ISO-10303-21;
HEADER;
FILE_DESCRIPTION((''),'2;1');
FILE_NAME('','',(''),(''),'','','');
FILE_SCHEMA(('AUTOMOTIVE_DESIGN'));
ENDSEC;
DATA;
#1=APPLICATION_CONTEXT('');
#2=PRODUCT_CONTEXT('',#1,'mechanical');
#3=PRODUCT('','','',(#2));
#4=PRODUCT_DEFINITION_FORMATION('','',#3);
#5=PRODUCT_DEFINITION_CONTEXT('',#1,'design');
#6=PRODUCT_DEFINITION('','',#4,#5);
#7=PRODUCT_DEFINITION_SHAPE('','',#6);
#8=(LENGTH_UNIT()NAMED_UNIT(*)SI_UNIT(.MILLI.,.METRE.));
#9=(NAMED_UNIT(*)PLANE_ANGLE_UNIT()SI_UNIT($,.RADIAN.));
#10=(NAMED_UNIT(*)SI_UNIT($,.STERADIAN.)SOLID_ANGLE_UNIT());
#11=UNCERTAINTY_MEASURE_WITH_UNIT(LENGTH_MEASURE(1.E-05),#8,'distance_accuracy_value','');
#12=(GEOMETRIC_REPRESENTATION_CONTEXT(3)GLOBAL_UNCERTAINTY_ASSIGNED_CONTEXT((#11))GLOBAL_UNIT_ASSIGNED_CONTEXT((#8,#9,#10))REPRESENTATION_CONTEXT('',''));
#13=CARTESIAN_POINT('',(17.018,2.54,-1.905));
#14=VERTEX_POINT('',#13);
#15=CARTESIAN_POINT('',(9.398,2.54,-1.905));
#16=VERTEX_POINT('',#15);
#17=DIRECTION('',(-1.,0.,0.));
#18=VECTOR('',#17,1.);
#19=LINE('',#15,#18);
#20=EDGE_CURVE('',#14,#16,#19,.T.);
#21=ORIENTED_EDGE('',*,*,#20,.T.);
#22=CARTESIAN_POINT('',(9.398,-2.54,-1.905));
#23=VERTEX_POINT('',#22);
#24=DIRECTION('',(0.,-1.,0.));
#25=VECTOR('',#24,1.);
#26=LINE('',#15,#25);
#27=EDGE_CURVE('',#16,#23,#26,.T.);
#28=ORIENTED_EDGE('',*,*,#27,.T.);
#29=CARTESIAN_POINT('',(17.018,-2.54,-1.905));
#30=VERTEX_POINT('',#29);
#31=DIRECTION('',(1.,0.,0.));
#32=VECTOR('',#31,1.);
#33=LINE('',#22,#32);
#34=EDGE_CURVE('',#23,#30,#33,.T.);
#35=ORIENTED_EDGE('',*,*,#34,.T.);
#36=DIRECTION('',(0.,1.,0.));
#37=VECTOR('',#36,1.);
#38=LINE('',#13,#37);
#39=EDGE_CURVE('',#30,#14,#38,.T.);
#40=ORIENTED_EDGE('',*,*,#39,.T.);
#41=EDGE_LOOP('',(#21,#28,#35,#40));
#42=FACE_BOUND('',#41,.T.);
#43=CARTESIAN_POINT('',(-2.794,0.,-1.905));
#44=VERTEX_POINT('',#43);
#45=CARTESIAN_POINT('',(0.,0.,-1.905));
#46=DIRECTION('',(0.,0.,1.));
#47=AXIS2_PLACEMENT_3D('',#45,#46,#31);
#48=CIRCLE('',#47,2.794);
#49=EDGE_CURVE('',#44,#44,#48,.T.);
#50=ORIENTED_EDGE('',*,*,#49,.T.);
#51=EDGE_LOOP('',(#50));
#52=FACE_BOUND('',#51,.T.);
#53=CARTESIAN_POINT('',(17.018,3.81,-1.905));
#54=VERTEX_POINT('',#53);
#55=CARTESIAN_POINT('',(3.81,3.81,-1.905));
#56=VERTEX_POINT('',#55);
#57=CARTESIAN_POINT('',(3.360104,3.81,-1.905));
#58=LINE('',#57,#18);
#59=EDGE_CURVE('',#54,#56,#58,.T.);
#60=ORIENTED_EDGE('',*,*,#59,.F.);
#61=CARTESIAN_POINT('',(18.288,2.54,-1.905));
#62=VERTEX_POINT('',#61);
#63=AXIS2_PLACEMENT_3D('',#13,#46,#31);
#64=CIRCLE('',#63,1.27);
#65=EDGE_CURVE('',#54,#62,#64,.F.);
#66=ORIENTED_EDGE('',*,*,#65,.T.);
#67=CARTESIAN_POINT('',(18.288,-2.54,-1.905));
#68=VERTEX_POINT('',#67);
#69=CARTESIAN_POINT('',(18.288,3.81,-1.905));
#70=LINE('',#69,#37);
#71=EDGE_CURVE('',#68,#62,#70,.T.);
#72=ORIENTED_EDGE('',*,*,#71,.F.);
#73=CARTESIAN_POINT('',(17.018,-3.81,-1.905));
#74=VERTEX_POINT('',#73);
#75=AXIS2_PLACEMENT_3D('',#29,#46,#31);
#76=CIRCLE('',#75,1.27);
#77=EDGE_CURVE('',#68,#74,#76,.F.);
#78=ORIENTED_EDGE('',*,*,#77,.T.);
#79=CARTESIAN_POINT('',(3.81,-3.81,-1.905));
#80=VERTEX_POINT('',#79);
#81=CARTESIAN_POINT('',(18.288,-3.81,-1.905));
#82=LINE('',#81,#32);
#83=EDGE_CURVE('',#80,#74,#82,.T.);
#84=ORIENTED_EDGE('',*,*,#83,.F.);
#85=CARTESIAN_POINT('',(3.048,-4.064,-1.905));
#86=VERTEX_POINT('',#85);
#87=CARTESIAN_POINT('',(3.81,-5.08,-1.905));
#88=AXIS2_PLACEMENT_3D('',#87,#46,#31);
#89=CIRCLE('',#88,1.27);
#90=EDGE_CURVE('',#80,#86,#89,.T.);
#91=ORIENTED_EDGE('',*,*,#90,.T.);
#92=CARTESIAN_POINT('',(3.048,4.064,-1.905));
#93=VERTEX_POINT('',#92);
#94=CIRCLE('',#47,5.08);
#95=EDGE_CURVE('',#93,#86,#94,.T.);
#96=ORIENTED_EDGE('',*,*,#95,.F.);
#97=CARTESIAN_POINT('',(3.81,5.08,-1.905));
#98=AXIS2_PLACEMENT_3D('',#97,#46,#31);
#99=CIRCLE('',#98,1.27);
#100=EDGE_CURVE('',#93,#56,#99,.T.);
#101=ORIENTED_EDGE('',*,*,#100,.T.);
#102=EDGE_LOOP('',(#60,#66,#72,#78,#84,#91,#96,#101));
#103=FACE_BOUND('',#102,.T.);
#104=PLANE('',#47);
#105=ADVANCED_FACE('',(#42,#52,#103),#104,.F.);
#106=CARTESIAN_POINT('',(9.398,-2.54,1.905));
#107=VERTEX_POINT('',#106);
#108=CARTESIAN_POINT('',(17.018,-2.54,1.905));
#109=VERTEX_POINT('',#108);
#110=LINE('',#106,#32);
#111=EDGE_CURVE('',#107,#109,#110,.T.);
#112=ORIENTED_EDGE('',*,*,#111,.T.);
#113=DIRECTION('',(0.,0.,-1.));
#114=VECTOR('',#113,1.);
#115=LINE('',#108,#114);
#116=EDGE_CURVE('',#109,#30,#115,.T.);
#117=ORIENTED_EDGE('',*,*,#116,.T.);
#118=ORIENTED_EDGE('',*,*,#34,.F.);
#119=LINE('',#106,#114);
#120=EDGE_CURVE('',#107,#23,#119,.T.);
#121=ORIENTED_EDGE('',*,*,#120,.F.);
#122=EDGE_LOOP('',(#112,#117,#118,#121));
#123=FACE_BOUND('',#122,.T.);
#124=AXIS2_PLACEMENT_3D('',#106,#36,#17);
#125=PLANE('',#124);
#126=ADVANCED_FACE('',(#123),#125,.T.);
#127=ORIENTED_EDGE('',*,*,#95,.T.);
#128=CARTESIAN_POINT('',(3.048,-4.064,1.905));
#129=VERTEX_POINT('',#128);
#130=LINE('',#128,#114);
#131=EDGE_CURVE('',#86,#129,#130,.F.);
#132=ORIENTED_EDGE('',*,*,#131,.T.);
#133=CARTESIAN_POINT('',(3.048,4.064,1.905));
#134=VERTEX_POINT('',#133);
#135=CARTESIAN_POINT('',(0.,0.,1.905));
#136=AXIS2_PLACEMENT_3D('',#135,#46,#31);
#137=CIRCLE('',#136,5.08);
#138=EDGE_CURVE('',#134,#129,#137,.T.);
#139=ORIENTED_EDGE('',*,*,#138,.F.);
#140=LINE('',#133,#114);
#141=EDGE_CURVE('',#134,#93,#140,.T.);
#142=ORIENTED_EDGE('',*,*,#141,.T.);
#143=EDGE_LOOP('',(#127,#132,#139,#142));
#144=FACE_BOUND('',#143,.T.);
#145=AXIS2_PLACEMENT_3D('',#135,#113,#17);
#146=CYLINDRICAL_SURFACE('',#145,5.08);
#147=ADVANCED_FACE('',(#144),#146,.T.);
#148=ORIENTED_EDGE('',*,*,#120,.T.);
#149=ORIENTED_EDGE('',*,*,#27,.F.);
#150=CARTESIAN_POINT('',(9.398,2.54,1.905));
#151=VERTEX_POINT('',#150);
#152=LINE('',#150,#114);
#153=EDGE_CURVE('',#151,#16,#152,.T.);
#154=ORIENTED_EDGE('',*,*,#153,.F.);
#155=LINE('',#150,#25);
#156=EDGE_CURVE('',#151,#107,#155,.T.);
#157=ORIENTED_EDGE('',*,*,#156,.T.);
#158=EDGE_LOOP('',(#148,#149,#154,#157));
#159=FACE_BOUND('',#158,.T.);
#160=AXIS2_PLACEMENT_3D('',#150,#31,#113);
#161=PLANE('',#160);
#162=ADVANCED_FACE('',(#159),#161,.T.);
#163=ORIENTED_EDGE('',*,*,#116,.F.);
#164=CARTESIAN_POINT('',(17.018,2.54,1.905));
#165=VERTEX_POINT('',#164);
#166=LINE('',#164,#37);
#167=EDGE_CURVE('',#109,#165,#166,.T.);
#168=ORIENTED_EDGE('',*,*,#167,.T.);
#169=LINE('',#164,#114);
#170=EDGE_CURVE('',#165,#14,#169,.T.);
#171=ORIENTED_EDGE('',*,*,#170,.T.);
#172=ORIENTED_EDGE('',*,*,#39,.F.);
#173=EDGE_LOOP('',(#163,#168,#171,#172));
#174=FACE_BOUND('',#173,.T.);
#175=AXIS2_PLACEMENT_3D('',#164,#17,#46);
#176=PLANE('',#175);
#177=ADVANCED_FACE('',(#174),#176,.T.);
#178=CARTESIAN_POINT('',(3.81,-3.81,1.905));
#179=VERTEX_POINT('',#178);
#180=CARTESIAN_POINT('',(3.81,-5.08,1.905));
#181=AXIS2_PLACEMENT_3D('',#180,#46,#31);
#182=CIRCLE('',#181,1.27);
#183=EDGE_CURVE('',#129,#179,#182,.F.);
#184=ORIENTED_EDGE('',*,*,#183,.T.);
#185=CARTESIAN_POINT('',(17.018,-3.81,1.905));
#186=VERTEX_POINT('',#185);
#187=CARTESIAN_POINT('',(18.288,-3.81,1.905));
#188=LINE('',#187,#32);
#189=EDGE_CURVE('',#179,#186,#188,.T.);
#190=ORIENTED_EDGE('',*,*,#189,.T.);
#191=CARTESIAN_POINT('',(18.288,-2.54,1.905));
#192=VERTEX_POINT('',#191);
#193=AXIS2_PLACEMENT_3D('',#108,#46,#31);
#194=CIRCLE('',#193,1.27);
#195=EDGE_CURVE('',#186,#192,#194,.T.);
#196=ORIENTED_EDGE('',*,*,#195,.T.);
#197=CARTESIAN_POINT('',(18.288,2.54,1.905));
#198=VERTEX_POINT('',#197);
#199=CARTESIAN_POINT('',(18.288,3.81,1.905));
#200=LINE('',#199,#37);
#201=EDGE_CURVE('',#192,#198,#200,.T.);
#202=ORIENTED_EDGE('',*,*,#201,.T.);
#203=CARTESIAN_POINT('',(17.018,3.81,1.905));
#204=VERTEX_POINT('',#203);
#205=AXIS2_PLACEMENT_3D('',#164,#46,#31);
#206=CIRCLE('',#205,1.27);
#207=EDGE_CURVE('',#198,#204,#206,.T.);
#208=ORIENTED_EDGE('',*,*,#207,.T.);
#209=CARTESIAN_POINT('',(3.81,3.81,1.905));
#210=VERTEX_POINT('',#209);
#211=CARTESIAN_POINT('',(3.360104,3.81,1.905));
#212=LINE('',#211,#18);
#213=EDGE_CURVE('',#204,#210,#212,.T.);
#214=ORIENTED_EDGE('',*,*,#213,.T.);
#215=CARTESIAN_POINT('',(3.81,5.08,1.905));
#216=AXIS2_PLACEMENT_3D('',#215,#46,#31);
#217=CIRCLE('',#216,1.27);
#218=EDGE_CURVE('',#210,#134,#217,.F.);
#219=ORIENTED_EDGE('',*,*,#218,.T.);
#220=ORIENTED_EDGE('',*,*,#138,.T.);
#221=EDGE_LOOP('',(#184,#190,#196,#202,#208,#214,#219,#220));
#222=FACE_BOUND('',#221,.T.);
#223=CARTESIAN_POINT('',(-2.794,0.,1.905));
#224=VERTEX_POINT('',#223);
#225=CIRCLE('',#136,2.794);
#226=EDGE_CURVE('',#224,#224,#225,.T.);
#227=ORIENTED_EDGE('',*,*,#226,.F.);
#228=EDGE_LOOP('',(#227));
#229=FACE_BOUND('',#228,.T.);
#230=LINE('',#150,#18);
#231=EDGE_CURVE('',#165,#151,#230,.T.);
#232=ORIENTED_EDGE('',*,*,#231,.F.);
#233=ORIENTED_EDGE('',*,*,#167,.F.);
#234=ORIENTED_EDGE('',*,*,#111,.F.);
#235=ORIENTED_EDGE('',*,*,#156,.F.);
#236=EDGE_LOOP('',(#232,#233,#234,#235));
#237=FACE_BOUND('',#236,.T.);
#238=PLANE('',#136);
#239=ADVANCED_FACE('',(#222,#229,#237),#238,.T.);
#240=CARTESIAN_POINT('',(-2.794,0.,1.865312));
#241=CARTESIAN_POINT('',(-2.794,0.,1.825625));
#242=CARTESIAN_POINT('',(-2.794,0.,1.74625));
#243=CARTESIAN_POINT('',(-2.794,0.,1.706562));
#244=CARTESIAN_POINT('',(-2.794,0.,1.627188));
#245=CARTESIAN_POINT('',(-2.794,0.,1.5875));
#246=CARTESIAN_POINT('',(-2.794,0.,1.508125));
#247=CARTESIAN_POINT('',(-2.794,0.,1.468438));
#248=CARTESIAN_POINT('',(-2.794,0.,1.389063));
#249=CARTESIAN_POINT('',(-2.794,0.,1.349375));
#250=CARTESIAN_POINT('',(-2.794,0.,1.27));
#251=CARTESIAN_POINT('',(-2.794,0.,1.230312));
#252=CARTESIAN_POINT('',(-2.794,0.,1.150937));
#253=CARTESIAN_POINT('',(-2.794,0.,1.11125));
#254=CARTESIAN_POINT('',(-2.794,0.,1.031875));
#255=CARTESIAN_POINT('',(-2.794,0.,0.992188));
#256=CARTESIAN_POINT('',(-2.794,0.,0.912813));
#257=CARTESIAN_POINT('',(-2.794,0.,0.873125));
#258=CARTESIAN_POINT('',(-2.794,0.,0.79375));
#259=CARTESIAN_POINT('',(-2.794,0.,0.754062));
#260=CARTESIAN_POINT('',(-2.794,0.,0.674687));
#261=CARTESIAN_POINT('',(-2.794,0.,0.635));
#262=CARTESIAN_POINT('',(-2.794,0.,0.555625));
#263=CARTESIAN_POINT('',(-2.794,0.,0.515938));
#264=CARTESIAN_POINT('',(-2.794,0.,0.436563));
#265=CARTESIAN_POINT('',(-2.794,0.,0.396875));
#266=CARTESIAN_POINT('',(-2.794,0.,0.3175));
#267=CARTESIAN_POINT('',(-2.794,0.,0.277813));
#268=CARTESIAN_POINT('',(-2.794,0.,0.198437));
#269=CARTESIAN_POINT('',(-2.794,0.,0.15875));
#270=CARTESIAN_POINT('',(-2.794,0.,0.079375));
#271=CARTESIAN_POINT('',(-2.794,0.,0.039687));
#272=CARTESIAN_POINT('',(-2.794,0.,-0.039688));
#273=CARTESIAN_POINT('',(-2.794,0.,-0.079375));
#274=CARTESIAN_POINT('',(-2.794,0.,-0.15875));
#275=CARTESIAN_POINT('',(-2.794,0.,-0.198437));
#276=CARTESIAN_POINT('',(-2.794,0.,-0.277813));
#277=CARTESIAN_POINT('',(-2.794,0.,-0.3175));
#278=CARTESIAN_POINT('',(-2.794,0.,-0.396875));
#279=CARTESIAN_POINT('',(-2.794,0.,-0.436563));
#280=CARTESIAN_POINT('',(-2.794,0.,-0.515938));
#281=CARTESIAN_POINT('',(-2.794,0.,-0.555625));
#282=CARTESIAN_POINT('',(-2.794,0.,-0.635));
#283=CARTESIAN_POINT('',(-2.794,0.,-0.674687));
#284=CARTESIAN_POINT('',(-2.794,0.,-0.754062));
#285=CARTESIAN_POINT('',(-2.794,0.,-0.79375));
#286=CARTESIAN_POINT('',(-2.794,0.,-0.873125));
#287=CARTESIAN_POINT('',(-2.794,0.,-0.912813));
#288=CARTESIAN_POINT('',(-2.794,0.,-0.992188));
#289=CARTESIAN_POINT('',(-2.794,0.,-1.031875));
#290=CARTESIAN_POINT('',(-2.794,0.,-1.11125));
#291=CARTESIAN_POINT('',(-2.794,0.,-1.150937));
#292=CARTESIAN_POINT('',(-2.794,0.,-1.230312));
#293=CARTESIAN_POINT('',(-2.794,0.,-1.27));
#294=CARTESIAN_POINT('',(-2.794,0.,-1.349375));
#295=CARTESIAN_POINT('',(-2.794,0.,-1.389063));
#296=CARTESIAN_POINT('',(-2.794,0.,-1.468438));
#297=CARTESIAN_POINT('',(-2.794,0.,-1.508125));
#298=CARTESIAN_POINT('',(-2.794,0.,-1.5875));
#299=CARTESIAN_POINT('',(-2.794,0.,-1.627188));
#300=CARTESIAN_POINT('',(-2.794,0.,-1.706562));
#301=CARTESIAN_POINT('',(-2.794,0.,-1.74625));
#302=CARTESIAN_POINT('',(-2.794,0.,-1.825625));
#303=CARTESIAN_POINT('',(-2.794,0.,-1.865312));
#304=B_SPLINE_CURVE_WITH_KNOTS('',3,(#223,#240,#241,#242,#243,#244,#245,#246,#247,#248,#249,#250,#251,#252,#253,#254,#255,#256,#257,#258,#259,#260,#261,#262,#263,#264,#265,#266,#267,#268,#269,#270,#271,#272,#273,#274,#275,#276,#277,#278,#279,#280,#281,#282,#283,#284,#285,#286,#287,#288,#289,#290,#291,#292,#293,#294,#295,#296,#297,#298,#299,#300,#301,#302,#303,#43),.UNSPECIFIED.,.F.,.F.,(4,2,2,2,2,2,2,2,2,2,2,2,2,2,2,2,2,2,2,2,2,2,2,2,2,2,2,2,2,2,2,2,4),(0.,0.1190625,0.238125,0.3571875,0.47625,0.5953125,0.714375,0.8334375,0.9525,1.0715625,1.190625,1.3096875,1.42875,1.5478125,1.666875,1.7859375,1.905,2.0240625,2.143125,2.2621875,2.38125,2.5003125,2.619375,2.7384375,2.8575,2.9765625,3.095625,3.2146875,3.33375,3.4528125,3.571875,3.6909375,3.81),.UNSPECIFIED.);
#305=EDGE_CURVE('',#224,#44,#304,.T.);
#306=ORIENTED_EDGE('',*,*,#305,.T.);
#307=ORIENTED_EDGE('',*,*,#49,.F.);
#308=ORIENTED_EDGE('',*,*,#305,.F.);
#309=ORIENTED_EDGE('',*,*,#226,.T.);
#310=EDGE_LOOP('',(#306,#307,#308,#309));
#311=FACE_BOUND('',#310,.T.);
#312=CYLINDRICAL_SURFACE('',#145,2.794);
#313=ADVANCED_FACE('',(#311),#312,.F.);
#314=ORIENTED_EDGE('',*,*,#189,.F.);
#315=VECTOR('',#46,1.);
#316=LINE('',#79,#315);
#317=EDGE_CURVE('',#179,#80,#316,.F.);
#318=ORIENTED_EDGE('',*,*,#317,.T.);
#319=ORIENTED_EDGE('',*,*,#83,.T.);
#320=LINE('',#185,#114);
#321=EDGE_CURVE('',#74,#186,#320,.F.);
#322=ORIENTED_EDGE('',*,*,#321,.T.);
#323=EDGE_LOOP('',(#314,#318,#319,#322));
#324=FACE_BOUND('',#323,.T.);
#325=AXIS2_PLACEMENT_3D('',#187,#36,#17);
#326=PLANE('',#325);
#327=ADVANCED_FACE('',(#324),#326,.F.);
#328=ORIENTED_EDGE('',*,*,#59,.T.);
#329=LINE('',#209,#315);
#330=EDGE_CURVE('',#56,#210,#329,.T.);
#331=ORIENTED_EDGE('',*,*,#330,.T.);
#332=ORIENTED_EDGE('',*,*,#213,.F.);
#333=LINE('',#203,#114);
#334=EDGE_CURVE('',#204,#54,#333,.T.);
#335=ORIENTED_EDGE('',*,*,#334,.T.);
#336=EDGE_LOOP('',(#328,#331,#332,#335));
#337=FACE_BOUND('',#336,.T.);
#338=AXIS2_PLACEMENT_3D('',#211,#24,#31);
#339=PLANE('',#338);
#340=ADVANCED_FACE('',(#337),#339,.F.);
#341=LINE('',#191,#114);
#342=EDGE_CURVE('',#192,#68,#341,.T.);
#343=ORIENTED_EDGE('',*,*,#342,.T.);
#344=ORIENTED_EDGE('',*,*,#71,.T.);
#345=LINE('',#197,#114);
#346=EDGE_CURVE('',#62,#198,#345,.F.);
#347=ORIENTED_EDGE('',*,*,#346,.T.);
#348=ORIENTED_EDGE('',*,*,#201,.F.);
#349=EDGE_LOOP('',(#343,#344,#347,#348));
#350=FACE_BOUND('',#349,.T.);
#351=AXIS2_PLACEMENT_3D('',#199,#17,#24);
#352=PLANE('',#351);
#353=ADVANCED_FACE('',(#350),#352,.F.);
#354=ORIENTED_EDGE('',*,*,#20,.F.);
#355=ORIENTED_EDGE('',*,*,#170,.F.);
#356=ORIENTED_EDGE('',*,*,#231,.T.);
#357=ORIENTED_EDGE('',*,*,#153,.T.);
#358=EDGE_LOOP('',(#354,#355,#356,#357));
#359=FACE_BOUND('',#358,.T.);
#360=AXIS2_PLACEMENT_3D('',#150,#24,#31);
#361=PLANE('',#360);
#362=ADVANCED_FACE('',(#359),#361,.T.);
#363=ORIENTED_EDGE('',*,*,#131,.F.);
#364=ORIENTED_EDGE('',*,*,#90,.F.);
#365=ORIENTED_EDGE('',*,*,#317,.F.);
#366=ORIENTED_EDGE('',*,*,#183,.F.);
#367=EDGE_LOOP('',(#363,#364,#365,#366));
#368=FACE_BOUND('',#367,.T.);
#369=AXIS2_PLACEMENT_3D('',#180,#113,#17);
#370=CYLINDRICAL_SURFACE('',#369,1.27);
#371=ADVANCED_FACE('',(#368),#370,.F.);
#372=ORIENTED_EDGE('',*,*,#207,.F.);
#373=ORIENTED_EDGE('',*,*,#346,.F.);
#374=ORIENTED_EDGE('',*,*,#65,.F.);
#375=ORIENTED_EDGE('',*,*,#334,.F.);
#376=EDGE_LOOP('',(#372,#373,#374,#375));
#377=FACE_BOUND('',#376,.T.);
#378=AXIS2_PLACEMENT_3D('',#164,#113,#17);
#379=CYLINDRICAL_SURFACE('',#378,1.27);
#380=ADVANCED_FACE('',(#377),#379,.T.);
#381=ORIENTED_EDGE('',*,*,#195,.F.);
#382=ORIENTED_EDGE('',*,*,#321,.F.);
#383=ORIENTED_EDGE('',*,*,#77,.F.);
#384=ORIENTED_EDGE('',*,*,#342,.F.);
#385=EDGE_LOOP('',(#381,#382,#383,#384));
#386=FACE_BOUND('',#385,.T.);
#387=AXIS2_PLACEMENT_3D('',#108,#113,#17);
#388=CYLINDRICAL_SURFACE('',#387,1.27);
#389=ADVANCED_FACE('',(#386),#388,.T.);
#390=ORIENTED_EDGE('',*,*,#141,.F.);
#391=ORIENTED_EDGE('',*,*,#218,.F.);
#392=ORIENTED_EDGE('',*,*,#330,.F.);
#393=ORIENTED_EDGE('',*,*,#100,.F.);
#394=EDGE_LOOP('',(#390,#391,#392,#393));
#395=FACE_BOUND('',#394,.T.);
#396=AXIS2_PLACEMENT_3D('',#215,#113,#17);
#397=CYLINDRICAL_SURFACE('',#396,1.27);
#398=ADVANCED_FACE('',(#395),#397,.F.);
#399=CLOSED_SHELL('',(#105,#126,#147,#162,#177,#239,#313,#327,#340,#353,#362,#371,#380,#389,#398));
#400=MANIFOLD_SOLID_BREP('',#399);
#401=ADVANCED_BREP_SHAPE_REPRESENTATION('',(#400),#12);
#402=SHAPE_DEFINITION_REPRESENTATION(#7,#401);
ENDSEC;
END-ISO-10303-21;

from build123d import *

# Parameters (mm, degrees)
SKETCH1_R           = 2.794
SKETCH1_W           = 7.62
SKETCH1_H           = 5.08
BOSS_EXTRUDE1_DEPTH = 1.905
FILLET1_R           = 1.27


with BuildPart() as part:
    # Sketch1 → Boss-Extrude1 (new, symmetric)
    with BuildSketch(Plane.XY):
        with BuildLine():
            Line((3.360104165, 3.81), (18.288, 3.81))
            Line((18.288, 3.81), (18.288, -3.81))
            Line((18.288, -3.81), (3.360104165, -3.81))
            ThreePointArc((3.360104165, -3.81), (-5.08, 0), (3.360104165, 3.81))
        make_face()
        with Locations(Location((0, 0, 0), (0, 0, 180))):
            Circle(SKETCH1_R, mode=Mode.SUBTRACT)
        with Locations((13.208, 0)):
            Rectangle(SKETCH1_W, SKETCH1_H, mode=Mode.SUBTRACT)
    extrude(amount=BOSS_EXTRUDE1_DEPTH, both=True)

    # Fillet1
    fillet1_edges = [part.edges().sort_by_distance(p)[0] for p in [
        (3.360104165, 3.81, 0),
        (18.288, 3.81, 0),
        (18.288, -3.81, 0),
        (3.360104165, -3.81, 0),
    ]]
    fillet(fillet1_edges, radius=FILLET1_R)


solid = part.part
